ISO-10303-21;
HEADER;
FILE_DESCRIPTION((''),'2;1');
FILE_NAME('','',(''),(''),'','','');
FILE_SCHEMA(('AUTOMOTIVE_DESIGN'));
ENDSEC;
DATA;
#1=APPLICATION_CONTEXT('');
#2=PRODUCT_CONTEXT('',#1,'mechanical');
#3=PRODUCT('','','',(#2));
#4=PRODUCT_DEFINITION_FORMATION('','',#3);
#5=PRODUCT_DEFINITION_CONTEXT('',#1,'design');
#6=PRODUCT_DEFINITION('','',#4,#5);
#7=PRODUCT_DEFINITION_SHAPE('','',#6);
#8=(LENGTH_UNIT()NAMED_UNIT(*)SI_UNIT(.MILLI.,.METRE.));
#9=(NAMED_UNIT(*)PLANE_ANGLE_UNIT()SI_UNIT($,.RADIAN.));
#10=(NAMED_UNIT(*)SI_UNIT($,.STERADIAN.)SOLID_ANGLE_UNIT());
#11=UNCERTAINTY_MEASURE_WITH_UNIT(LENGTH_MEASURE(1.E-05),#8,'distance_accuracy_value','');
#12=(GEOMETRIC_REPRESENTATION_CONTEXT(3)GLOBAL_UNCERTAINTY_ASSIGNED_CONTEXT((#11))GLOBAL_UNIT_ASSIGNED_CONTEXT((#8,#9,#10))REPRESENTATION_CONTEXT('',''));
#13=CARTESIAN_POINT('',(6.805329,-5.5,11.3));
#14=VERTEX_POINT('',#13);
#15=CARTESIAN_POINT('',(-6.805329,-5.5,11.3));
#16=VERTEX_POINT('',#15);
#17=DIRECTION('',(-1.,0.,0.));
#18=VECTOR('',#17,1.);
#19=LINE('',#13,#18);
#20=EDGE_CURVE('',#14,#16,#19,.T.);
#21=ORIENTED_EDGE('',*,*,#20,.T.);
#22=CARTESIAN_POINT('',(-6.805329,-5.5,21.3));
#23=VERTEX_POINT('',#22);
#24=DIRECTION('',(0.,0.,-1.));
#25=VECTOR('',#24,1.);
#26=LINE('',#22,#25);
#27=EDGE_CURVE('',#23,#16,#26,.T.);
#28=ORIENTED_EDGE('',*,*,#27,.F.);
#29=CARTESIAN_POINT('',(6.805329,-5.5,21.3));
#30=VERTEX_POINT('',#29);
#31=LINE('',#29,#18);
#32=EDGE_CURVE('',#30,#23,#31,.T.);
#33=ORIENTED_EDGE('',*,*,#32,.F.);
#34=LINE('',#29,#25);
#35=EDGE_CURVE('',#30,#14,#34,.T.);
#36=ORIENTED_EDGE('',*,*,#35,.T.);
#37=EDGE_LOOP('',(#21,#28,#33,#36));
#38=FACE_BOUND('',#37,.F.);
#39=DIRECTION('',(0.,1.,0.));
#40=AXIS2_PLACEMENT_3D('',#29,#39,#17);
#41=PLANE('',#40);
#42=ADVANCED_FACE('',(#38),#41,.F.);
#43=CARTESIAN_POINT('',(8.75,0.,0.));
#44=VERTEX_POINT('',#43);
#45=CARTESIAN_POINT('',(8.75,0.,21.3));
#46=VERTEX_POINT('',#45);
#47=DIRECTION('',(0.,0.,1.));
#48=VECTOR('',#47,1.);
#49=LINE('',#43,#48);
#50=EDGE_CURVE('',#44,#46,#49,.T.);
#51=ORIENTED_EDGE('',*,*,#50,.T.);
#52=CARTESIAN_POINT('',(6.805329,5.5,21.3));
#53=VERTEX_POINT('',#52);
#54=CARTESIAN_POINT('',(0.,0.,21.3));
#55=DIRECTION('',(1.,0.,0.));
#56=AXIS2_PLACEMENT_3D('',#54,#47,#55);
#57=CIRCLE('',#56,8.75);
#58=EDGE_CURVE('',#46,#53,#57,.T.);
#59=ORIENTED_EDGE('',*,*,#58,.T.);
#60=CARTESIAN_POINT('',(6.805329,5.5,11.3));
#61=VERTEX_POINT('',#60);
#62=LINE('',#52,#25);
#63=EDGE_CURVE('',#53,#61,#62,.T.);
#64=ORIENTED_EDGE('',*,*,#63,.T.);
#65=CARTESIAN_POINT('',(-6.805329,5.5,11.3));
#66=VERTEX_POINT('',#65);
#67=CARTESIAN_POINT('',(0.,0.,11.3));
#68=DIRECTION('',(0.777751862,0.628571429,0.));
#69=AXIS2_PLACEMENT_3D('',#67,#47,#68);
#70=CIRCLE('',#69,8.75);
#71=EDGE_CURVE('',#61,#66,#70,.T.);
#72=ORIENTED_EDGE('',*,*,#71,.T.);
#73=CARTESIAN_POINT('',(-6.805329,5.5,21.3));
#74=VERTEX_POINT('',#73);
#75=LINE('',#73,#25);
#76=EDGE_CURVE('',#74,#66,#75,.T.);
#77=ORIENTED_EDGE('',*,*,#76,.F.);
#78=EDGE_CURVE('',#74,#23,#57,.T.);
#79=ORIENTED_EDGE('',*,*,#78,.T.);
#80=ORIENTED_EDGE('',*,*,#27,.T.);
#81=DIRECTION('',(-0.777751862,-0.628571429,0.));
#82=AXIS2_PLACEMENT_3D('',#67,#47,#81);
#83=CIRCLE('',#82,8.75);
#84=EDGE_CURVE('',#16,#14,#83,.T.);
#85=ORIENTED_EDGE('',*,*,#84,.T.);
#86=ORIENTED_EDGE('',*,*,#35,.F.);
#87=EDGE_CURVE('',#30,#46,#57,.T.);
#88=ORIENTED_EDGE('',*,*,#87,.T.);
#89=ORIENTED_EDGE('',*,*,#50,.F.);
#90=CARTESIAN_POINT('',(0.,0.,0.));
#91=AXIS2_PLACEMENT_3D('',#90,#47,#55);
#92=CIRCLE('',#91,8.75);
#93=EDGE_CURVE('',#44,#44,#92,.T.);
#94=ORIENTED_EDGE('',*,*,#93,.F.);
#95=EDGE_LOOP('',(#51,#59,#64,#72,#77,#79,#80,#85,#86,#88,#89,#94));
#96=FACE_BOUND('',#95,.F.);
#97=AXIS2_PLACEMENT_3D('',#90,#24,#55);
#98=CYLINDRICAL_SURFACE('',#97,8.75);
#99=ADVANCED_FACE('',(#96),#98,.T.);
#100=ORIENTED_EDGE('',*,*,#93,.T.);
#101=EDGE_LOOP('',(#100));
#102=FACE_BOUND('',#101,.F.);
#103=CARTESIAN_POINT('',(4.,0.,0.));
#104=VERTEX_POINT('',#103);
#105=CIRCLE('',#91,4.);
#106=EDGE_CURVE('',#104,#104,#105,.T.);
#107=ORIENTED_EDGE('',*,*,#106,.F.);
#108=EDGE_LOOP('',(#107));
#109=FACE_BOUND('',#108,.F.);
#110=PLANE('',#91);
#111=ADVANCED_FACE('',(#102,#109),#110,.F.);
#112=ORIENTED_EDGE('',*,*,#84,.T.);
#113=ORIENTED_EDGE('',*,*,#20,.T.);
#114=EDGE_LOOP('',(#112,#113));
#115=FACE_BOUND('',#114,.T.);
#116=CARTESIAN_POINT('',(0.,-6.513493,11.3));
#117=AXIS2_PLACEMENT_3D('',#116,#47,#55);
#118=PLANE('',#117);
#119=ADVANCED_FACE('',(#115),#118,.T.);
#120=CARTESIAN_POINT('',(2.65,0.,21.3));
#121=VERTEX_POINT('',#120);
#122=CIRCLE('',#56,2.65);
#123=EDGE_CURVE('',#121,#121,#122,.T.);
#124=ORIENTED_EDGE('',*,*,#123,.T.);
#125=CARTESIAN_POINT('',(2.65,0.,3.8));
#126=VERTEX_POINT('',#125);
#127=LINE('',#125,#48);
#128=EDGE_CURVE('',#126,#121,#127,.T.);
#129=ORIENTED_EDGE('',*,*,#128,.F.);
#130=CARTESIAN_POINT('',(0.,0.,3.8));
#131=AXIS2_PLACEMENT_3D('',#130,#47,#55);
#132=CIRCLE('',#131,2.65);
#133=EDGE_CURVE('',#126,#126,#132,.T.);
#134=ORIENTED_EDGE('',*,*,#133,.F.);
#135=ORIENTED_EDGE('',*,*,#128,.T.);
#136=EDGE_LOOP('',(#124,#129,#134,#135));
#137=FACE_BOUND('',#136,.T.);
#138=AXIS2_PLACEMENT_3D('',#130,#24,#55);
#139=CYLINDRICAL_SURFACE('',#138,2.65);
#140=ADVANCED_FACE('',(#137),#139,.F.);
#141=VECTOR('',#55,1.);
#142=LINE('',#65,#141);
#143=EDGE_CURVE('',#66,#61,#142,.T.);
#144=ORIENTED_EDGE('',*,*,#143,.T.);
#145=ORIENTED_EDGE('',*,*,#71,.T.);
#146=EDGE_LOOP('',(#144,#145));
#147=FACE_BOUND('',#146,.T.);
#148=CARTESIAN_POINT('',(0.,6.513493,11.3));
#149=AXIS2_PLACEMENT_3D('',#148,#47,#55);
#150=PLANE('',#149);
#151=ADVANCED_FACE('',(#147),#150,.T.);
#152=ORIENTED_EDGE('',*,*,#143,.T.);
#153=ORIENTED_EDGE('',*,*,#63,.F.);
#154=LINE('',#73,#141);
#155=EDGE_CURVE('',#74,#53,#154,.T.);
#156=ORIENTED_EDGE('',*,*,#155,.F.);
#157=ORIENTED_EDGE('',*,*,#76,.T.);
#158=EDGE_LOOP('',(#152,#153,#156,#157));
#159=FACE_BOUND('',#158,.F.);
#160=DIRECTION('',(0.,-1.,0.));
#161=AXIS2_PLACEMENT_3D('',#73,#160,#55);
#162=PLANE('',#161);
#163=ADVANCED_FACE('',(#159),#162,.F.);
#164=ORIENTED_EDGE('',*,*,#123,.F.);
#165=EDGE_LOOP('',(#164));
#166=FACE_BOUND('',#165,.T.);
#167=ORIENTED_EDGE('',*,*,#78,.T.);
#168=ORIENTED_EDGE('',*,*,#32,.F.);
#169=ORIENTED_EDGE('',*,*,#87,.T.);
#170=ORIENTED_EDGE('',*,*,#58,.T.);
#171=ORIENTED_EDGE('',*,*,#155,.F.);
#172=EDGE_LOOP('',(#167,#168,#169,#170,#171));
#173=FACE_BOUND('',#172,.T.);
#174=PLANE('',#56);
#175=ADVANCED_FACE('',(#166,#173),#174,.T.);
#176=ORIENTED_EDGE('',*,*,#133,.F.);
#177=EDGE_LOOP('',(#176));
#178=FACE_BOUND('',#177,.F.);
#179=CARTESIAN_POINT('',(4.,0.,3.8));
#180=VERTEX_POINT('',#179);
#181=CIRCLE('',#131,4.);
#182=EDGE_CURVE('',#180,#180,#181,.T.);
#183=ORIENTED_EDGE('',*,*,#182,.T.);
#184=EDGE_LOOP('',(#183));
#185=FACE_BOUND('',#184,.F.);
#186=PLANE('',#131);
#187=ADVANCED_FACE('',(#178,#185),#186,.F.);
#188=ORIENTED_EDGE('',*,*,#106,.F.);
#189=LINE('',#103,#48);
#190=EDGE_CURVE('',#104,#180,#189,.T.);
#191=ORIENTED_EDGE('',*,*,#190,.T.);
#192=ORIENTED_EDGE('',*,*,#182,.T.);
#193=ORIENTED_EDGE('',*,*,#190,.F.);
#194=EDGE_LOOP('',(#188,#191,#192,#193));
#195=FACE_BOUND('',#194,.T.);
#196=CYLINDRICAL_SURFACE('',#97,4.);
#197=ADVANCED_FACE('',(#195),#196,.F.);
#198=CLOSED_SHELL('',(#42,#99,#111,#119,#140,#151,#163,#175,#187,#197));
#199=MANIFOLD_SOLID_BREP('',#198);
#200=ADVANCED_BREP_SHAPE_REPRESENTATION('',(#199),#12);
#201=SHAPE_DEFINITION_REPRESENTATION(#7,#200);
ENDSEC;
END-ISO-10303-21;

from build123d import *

# Parameters (mm, degrees)
F0_R     = 8.75
F0_R_2   = 4
F1_DEPTH = 21.3
F2_START = 3.8
F0_R_3   = 2.65
F2_DEPTH = 17.5
F4_DEPTH = 10


with BuildPart() as f1:
    # F0 (on Top) → F1 (new body)
    with BuildSketch(Plane.XY):
        Circle(F0_R)
        Circle(F0_R_2, mode=Mode.SUBTRACT)
    extrude(amount=F1_DEPTH)

    # F0 (on Top) → F2 (join)
    with BuildSketch(Plane.XY.offset(F2_START)):
        Circle(F0_R_2)
        Circle(F0_R_3, mode=Mode.SUBTRACT)
    extrude(amount=F2_DEPTH)

    # F3 (on face) → F4 (cut)
    with BuildSketch(Plane.XY.offset(21.3)):
        with BuildLine():
            ThreePointArc((-6.8053287944, -5.5), (0, -8.75), (6.8053287944, -5.5))
            Line((6.8053287944, -5.5), (-6.8053287944, -5.5))
        make_face()
        with BuildLine():
            Line((-6.8053287944, 5.5), (6.8053287944, 5.5))
            ThreePointArc((6.8053287944, 5.5), (0, 8.75), (-6.8053287944, 5.5))
        make_face()
    extrude(amount=-F4_DEPTH, mode=Mode.SUBTRACT)


solid = f1.part
